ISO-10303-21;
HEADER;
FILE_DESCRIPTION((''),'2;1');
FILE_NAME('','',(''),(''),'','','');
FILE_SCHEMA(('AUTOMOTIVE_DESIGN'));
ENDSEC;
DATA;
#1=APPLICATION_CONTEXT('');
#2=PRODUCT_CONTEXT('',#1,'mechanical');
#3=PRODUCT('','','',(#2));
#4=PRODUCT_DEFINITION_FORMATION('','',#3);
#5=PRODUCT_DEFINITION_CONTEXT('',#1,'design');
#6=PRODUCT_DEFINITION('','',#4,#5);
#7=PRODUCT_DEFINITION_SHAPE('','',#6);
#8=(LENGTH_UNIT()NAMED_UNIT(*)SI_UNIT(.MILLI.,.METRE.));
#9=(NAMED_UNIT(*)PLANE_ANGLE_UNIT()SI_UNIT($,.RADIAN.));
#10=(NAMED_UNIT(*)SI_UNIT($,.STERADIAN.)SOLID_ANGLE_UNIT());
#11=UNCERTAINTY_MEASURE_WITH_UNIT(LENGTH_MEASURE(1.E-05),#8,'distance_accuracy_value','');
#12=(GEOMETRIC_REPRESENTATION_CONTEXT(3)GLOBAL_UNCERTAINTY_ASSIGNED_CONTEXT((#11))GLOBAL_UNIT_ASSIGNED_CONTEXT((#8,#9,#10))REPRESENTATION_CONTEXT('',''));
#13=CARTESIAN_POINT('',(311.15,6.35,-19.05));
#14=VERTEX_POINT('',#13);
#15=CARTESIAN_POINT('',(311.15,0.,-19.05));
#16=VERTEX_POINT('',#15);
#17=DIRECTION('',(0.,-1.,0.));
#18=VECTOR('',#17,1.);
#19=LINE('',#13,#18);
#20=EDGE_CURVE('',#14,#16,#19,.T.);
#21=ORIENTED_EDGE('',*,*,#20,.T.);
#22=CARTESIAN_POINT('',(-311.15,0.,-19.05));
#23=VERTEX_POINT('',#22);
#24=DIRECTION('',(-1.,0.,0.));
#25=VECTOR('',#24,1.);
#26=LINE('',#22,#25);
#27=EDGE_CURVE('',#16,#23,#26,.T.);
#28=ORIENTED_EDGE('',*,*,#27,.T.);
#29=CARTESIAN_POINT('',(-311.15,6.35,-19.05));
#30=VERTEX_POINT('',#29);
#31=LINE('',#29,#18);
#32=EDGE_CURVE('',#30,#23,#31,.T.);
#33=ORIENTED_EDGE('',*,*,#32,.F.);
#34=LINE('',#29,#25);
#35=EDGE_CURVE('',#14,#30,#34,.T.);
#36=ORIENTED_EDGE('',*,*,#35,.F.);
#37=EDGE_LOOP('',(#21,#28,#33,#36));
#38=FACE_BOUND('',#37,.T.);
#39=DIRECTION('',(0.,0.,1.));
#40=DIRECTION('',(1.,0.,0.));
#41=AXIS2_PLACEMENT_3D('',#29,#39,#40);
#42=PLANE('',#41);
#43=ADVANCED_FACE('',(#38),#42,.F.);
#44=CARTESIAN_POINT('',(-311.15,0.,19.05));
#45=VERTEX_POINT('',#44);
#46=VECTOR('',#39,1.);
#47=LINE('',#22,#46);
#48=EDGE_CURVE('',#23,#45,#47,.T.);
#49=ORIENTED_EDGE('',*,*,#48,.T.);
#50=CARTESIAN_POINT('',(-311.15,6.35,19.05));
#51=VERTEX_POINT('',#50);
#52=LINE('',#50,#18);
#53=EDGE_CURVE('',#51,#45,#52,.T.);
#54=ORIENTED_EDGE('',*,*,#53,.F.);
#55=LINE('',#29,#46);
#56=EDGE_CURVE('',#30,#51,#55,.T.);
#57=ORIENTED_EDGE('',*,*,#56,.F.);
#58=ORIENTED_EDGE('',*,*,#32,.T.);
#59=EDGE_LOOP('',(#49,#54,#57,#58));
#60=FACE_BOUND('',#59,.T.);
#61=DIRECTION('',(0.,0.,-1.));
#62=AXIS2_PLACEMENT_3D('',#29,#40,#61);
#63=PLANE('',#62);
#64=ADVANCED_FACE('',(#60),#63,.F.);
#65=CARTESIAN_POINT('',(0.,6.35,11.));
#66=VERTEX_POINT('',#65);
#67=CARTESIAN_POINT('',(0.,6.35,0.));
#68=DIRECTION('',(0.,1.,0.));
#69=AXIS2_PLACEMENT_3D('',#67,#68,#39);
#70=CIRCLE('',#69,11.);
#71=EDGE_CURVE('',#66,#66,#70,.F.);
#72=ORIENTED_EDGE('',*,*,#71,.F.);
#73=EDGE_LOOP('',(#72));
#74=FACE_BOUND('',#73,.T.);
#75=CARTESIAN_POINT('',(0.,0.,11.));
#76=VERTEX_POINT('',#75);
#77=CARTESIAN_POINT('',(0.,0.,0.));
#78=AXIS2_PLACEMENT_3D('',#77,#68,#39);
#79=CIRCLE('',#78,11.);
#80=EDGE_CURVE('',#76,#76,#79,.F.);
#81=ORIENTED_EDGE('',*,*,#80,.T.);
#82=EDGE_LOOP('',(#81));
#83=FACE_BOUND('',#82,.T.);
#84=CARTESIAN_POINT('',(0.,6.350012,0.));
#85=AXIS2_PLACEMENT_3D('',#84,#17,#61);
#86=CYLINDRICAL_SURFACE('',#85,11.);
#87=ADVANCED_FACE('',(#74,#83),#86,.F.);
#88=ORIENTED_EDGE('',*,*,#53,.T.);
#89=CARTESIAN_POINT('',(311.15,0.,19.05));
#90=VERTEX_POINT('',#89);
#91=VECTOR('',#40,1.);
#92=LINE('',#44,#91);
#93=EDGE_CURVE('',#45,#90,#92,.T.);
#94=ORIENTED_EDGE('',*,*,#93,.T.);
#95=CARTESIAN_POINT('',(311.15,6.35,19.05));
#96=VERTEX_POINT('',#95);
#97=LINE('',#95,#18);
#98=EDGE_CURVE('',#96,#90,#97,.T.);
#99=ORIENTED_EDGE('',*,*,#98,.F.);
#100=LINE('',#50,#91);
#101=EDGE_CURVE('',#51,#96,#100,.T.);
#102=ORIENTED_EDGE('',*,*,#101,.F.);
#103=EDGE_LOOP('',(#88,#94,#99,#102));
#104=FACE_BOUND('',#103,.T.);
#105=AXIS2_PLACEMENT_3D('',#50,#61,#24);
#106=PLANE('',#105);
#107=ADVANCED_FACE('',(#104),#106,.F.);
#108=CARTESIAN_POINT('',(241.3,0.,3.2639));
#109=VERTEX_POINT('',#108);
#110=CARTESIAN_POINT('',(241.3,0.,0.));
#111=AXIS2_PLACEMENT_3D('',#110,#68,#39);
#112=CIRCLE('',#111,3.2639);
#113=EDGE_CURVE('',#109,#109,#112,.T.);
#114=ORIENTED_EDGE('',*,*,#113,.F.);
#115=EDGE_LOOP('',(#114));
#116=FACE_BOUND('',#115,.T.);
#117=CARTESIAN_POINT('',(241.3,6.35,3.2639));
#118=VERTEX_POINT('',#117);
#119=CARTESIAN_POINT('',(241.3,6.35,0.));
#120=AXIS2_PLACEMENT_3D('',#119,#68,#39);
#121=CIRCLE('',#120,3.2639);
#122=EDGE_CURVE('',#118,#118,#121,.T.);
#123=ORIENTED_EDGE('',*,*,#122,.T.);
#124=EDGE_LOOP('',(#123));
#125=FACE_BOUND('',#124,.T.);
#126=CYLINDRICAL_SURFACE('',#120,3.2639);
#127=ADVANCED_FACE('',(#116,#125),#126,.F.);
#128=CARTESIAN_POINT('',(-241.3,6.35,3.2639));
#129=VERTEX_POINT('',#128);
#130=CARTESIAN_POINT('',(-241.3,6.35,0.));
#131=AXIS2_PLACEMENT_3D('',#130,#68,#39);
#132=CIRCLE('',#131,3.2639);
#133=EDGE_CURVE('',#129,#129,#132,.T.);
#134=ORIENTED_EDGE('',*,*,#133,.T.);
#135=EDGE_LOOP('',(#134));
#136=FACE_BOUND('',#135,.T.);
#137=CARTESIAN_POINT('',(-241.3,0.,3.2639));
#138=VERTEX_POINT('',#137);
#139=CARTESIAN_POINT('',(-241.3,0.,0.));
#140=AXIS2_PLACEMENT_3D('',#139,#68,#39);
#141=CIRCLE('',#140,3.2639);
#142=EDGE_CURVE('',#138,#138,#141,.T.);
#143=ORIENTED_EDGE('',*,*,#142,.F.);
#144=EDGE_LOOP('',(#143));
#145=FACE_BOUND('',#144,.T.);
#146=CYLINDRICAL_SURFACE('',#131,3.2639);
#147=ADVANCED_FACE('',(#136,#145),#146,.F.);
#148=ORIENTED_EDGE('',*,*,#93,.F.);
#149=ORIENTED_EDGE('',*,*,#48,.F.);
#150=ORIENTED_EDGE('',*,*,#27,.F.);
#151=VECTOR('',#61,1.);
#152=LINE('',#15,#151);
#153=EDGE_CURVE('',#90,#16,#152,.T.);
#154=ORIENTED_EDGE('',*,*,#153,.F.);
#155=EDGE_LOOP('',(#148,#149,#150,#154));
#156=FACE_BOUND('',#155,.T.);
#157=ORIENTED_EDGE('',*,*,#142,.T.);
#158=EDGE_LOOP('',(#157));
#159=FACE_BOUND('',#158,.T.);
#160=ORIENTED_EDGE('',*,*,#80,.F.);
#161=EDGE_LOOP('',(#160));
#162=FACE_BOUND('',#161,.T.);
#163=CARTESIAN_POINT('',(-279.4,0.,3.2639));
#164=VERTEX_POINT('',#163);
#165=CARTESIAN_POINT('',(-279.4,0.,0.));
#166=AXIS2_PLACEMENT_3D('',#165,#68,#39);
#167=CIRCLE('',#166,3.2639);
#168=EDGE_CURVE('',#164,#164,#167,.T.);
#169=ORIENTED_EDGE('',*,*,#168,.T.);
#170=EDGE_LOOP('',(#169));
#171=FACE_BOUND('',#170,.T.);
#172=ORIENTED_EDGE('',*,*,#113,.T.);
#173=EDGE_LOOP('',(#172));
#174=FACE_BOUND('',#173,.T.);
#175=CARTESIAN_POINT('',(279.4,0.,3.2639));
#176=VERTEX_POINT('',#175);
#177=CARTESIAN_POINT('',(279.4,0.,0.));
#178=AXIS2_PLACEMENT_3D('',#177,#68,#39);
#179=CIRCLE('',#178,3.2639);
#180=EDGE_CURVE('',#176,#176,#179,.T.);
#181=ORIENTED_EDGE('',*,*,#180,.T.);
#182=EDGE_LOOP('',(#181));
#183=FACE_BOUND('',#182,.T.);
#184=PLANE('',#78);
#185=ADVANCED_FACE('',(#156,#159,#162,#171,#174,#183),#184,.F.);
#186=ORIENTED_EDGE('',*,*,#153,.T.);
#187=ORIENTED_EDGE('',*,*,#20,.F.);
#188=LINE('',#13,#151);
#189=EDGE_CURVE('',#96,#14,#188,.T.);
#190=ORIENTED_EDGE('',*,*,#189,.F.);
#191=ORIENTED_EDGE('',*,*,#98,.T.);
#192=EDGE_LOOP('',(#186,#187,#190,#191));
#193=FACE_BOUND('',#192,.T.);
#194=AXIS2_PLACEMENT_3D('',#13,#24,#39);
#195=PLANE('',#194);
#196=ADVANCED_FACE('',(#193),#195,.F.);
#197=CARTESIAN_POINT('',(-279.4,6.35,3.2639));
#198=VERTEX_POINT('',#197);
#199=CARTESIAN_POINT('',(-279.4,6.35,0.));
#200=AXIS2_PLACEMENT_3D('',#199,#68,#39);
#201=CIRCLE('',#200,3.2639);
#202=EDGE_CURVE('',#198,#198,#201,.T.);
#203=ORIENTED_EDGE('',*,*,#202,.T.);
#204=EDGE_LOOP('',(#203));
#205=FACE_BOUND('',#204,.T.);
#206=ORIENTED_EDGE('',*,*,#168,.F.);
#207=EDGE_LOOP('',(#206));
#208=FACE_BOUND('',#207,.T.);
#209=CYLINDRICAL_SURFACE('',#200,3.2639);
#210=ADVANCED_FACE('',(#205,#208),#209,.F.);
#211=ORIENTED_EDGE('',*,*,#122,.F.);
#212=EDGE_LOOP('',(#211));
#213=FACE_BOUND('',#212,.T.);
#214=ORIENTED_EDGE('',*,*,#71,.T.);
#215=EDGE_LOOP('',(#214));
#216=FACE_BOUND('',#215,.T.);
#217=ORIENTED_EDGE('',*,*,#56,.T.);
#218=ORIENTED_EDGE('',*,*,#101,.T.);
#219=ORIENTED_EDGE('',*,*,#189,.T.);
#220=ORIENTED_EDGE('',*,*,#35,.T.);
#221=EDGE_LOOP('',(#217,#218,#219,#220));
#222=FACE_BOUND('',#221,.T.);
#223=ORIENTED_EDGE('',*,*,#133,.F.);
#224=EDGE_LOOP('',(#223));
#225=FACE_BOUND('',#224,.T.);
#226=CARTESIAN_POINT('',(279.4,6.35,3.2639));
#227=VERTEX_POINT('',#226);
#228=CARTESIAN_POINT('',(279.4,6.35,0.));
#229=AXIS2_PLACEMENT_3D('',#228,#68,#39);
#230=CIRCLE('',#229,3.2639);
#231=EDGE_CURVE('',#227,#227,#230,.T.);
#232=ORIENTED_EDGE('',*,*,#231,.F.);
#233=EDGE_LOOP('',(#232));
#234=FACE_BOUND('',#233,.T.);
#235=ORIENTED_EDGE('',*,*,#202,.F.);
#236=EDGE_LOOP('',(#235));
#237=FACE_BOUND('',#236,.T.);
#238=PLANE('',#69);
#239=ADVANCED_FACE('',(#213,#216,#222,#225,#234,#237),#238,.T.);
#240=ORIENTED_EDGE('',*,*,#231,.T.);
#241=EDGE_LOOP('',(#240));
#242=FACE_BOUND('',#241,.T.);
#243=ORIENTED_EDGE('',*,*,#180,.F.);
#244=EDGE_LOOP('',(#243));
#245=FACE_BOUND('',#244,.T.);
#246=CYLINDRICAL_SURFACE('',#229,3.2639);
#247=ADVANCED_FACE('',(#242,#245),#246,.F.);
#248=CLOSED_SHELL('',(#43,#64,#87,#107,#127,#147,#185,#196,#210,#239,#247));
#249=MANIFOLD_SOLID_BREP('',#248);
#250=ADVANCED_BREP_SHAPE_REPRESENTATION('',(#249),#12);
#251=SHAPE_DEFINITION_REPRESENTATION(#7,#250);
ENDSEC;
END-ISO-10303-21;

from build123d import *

# Parameters (mm, degrees)
SKETCH1_W                = 622.3
SKETCH1_H                = 38.1
BOSS_EXTRUDE1_DEPTH      = 6.35
SKETCH2_R                = 11
CUT_EXTRUDE1_DEPTH       = 1
CUT_EXTRUDE1_DEPTH_BACK  = 7.62
F_0_257_DIAMETER_HOLE2_D = 6.5278


with BuildPart() as part:
    # Sketch1 → Boss-Extrude1 (new body)
    with BuildSketch(Plane(origin=(0, 0, 0), x_dir=(1, 0, 0), z_dir=(0, 1, 0))):
        Rectangle(SKETCH1_W, SKETCH1_H)
    extrude(amount=BOSS_EXTRUDE1_DEPTH)

    # Sketch2 → Cut-Extrude1 (cut, two sides)
    with BuildSketch(Plane(origin=(0, 6.35, 0), x_dir=(1, 0, 0), z_dir=(0, 1, 0))) as cut_extrude1_sk:
        Circle(SKETCH2_R)
    extrude(amount=CUT_EXTRUDE1_DEPTH, mode=Mode.SUBTRACT)
    extrude(cut_extrude1_sk.sketch, amount=-CUT_EXTRUDE1_DEPTH_BACK, mode=Mode.SUBTRACT)

    # F (0.257) Diameter Hole2 (through all)
    with Locations(Plane(origin=(0, 6.35, 0), x_dir=(1, 0, 0), z_dir=(0, 1, 0))):
        with Locations((-279.4, 0), (-241.3, 0)):
            f_0_257_diameter_hole2 = Hole(F_0_257_DIAMETER_HOLE2_D / 2)

    # Mirror1: F (0.257) Diameter Hole2 across plane
    add(f_0_257_diameter_hole2.mirror(Plane(origin=(0, 0, 0), x_dir=(0, 0, 1), z_dir=(1, 0, 0))), mode=Mode.SUBTRACT)


solid = part.part
